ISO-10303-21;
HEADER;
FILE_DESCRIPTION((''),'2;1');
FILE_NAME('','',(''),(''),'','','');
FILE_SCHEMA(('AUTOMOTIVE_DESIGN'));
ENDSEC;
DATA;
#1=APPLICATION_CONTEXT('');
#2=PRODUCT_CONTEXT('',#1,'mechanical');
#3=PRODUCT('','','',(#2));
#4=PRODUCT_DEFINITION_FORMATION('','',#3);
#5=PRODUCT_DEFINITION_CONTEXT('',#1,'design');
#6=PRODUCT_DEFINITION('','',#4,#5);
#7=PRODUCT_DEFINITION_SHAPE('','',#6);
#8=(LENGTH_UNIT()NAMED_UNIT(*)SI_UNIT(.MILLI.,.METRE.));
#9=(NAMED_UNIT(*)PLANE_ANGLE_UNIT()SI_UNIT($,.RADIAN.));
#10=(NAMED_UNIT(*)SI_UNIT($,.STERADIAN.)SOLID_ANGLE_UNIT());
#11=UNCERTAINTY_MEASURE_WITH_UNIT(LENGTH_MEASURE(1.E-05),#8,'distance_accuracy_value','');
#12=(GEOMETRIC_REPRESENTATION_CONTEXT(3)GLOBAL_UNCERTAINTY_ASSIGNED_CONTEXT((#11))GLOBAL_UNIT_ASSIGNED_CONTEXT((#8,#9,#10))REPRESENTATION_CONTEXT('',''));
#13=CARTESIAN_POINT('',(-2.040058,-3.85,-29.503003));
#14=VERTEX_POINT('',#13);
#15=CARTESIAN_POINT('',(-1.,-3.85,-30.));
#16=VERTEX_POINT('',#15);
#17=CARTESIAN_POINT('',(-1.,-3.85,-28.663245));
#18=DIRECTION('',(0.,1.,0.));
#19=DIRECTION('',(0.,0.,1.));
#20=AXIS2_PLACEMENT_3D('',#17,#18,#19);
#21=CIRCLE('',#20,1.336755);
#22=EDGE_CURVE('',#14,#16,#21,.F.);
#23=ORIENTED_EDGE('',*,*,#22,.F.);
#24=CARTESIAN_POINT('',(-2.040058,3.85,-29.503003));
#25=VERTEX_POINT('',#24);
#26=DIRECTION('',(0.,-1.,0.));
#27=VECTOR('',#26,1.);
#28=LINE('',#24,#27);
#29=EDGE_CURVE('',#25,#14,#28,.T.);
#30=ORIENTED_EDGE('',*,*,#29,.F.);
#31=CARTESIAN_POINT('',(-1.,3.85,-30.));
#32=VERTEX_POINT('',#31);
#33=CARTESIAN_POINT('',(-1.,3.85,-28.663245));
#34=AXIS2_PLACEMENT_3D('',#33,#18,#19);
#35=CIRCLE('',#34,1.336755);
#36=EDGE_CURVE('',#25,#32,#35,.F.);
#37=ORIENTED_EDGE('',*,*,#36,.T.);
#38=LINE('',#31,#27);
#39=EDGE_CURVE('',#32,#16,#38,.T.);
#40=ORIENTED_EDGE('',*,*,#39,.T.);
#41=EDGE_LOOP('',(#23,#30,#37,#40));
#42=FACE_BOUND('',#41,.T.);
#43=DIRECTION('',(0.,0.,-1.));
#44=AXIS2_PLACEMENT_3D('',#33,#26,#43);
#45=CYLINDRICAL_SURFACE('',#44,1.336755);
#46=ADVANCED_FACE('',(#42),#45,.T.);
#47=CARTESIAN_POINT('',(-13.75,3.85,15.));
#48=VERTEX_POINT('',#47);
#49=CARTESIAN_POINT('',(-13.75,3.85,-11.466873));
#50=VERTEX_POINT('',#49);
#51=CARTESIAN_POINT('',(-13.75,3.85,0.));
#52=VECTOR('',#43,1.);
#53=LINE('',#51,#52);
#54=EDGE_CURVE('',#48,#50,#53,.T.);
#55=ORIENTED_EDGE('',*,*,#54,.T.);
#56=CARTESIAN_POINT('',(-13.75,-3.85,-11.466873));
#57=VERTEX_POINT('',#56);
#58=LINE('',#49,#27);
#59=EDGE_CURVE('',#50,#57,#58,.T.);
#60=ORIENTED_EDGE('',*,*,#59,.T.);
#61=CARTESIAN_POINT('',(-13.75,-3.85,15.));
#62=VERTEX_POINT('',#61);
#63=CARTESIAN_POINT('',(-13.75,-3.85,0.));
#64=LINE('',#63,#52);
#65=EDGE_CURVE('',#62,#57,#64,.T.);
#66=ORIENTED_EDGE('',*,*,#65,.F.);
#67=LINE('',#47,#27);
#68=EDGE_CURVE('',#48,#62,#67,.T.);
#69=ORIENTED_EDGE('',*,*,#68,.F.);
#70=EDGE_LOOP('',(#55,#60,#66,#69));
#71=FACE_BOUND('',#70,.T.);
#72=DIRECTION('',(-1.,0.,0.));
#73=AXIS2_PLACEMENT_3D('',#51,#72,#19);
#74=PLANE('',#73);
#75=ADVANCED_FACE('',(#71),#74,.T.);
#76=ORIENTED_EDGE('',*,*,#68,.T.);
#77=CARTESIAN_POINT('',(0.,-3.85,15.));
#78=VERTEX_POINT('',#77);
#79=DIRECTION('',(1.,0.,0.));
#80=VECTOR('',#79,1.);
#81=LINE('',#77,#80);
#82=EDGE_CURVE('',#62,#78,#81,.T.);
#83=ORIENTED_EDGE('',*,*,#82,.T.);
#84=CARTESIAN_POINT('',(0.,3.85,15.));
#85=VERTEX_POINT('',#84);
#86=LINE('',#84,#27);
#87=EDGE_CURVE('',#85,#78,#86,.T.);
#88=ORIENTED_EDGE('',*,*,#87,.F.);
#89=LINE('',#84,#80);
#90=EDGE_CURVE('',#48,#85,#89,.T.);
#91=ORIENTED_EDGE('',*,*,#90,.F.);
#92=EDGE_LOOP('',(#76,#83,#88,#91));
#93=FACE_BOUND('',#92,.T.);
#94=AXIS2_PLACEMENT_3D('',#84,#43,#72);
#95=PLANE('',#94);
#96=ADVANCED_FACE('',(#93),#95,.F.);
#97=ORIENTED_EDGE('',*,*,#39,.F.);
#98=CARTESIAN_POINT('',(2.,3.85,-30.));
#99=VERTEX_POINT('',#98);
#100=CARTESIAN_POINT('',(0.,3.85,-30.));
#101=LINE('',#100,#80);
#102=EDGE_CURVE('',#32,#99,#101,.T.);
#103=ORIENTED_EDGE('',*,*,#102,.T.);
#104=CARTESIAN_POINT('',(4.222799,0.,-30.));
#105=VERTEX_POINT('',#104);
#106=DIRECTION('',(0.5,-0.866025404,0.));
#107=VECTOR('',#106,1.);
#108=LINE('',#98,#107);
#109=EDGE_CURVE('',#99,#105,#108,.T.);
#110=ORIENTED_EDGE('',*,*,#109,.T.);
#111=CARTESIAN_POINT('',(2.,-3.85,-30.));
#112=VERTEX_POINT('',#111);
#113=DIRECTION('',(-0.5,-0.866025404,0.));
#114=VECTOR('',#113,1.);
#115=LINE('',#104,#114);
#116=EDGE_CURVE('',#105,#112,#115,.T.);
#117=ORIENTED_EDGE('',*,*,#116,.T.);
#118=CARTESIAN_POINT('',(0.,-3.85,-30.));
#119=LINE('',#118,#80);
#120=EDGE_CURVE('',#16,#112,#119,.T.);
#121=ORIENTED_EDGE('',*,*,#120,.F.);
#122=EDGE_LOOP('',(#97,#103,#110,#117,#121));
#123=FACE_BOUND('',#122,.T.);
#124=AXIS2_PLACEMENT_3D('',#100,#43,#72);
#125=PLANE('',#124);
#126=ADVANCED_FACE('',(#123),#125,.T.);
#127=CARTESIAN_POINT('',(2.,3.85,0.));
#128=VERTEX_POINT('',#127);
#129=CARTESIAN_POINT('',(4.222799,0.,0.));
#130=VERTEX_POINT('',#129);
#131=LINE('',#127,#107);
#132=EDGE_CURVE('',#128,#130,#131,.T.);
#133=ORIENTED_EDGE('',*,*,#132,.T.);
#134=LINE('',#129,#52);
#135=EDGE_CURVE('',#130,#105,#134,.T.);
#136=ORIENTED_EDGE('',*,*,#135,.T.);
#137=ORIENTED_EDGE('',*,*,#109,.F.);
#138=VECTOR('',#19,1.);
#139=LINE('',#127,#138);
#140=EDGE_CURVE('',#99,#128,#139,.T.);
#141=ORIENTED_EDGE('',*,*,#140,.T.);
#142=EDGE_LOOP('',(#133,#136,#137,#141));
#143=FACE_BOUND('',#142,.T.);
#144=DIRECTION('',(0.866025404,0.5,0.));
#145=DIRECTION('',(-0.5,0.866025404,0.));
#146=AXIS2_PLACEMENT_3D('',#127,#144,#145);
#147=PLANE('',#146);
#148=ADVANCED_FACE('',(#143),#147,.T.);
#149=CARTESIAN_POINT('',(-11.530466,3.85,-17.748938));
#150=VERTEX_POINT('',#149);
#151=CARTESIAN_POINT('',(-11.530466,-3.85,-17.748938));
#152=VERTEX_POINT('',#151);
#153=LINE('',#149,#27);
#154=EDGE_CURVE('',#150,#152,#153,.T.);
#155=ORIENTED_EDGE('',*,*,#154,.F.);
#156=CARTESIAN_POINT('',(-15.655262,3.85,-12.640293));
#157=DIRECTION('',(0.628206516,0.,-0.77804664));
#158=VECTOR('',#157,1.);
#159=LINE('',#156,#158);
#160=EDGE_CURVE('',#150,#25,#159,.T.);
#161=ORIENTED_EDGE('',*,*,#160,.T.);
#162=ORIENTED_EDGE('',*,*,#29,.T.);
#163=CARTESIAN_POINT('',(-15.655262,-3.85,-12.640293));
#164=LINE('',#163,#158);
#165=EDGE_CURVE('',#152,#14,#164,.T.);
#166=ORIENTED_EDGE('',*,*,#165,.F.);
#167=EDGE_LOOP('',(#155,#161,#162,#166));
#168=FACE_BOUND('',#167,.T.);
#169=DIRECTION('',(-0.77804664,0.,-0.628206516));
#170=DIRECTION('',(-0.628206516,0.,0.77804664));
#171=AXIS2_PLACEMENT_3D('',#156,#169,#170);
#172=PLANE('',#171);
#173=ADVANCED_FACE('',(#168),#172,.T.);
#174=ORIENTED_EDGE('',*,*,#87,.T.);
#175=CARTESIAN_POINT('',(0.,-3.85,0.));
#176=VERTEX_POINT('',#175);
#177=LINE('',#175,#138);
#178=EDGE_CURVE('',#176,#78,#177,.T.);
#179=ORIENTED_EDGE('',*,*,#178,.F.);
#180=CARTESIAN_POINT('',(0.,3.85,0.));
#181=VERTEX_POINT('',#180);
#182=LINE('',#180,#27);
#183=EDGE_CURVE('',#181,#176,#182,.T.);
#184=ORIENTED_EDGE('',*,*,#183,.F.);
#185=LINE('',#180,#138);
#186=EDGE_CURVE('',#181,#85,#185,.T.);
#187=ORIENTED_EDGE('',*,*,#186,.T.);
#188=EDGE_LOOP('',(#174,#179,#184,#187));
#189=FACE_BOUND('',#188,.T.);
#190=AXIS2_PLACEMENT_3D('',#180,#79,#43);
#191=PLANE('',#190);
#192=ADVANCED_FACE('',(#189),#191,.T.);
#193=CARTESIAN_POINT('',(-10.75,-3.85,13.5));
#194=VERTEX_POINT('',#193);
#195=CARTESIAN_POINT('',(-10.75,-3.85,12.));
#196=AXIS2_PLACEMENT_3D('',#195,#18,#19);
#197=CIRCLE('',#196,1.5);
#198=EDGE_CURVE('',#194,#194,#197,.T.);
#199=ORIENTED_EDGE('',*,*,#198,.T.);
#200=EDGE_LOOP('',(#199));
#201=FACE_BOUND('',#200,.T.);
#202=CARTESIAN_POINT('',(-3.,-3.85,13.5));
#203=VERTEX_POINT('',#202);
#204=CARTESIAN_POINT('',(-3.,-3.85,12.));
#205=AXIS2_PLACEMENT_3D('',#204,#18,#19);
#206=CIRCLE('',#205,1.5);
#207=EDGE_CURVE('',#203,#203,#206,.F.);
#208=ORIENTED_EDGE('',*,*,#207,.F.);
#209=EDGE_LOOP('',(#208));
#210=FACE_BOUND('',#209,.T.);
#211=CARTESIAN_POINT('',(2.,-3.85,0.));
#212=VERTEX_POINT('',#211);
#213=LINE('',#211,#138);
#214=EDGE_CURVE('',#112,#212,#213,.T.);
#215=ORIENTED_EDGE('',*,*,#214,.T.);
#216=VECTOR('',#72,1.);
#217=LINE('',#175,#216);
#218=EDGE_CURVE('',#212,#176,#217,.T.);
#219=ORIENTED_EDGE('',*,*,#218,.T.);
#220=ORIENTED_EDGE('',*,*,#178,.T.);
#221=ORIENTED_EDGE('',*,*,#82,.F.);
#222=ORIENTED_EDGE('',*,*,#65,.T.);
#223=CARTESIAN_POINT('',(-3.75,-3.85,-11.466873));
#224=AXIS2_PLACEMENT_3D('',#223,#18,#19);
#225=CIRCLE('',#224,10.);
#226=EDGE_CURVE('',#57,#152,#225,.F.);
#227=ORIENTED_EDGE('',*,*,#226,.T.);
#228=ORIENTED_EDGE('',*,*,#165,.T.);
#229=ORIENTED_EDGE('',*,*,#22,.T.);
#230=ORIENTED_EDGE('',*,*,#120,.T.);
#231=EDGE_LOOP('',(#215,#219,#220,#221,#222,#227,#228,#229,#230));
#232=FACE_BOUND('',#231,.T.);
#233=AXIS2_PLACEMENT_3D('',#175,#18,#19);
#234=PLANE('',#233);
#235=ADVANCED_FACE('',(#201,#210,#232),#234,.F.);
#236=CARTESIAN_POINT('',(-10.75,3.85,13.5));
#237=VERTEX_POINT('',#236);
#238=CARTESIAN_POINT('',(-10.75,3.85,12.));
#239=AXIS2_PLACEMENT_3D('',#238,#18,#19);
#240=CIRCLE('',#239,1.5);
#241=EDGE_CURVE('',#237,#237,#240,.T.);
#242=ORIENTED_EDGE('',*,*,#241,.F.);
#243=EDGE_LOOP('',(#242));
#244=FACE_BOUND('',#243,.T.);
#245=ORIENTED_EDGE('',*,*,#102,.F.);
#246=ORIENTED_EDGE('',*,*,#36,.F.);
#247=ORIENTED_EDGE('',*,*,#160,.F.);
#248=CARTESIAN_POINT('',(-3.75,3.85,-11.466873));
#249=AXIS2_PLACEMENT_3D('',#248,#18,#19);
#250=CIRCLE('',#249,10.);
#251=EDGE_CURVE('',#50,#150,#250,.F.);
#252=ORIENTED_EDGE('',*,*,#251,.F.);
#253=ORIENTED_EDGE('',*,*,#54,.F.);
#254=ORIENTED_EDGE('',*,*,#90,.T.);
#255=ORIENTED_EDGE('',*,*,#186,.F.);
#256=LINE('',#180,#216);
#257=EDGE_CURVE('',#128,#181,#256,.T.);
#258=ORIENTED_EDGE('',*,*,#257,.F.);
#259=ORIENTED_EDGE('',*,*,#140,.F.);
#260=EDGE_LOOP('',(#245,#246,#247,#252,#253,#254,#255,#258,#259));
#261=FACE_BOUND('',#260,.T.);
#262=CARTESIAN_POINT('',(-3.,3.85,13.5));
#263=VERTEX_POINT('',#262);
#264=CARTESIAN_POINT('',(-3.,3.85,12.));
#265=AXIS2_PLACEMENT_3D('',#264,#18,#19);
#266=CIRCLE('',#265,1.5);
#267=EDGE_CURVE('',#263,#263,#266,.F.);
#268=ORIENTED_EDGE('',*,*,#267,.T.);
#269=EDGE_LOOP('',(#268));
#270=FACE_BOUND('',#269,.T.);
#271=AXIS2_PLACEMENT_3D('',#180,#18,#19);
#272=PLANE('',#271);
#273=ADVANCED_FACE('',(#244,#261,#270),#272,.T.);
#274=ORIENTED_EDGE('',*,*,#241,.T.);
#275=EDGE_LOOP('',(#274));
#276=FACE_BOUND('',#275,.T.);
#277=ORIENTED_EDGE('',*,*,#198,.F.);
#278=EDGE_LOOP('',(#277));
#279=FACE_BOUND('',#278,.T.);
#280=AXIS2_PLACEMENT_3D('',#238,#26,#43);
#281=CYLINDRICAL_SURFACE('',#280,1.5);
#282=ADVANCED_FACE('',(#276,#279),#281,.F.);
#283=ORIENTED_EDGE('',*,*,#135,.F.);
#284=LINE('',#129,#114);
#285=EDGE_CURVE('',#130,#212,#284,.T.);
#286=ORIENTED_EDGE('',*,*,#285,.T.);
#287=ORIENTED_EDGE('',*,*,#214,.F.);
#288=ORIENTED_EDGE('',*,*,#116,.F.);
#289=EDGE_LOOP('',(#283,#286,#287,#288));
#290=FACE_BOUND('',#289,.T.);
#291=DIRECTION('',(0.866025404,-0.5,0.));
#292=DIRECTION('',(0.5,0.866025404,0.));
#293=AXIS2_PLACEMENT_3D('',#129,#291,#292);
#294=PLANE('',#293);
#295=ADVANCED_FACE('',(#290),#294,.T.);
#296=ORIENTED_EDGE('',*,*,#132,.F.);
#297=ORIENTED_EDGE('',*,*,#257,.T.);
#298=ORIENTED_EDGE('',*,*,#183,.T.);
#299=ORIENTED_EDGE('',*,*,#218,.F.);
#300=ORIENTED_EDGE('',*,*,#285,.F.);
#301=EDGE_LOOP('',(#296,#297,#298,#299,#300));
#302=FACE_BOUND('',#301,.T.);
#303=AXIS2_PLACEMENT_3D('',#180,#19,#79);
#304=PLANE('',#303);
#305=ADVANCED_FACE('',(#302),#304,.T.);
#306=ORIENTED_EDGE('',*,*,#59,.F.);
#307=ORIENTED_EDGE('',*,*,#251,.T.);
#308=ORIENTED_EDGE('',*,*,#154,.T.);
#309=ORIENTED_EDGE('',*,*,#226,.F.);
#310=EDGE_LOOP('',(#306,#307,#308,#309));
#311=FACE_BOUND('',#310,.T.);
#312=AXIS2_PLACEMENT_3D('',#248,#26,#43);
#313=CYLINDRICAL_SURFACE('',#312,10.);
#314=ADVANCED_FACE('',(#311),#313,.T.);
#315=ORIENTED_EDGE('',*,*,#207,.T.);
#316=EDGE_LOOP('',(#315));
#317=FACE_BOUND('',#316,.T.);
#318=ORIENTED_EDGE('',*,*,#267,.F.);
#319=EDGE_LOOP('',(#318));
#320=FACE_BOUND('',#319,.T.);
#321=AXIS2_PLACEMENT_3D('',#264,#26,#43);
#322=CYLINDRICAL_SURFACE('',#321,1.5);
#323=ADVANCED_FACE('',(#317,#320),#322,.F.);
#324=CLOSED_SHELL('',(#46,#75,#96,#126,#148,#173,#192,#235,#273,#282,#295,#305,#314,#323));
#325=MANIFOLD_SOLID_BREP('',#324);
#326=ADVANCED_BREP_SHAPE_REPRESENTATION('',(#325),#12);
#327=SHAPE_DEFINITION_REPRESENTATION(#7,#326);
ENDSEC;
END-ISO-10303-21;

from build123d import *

# Parameters (mm, degrees)
SKETCH1_R           = 1.5
BOSS_EXTRUDE3_DEPTH = 3.85
BOSS_EXTRUDE4_DEPTH = 30


with BuildPart() as part:
    # Sketch1 → Boss-Extrude3 (new body, symmetric)
    with BuildSketch(Plane(origin=(0, 0, 0), x_dir=(1, 0, 0), z_dir=(0, 1, 0))):
        with BuildLine():
            Line((-13.75, -15), (0, -15))
            Line((0, -15), (0, 0))
            Line((0, 0), (2, 0))
            Line((2, 0), (2, 30))
            Line((2, 30), (-1, 30))
            ThreePointArc((-1, 30), (-1.576352013, 29.869367868), (-2.040057994, 29.503003078))
            Line((-2.040057994, 29.503003078), (-11.530466398, 17.748937838))
            ThreePointArc((-11.530466398, 17.748937838), (-13.178803317, 14.798188939), (-13.75, 11.466872681))
            Line((-13.75, 11.466872681), (-13.75, -15))
        make_face()
        with Locations((-10.75, -12)):
            Circle(SKETCH1_R, mode=Mode.SUBTRACT)
        with Locations((-3, -12)):
            Circle(SKETCH1_R, mode=Mode.SUBTRACT)
    extrude(amount=BOSS_EXTRUDE3_DEPTH, both=True)

    # Sketch2 → Boss-Extrude4 (add)
    with BuildSketch(Plane(origin=(0, 0, -30), x_dir=(-1, 0, 0), z_dir=(0, 0, -1))):
        Polygon((-2, 3.85), (-4.222798536, 0), (-2, -3.85), align=None)
    extrude(amount=-BOSS_EXTRUDE4_DEPTH)


solid = part.part
